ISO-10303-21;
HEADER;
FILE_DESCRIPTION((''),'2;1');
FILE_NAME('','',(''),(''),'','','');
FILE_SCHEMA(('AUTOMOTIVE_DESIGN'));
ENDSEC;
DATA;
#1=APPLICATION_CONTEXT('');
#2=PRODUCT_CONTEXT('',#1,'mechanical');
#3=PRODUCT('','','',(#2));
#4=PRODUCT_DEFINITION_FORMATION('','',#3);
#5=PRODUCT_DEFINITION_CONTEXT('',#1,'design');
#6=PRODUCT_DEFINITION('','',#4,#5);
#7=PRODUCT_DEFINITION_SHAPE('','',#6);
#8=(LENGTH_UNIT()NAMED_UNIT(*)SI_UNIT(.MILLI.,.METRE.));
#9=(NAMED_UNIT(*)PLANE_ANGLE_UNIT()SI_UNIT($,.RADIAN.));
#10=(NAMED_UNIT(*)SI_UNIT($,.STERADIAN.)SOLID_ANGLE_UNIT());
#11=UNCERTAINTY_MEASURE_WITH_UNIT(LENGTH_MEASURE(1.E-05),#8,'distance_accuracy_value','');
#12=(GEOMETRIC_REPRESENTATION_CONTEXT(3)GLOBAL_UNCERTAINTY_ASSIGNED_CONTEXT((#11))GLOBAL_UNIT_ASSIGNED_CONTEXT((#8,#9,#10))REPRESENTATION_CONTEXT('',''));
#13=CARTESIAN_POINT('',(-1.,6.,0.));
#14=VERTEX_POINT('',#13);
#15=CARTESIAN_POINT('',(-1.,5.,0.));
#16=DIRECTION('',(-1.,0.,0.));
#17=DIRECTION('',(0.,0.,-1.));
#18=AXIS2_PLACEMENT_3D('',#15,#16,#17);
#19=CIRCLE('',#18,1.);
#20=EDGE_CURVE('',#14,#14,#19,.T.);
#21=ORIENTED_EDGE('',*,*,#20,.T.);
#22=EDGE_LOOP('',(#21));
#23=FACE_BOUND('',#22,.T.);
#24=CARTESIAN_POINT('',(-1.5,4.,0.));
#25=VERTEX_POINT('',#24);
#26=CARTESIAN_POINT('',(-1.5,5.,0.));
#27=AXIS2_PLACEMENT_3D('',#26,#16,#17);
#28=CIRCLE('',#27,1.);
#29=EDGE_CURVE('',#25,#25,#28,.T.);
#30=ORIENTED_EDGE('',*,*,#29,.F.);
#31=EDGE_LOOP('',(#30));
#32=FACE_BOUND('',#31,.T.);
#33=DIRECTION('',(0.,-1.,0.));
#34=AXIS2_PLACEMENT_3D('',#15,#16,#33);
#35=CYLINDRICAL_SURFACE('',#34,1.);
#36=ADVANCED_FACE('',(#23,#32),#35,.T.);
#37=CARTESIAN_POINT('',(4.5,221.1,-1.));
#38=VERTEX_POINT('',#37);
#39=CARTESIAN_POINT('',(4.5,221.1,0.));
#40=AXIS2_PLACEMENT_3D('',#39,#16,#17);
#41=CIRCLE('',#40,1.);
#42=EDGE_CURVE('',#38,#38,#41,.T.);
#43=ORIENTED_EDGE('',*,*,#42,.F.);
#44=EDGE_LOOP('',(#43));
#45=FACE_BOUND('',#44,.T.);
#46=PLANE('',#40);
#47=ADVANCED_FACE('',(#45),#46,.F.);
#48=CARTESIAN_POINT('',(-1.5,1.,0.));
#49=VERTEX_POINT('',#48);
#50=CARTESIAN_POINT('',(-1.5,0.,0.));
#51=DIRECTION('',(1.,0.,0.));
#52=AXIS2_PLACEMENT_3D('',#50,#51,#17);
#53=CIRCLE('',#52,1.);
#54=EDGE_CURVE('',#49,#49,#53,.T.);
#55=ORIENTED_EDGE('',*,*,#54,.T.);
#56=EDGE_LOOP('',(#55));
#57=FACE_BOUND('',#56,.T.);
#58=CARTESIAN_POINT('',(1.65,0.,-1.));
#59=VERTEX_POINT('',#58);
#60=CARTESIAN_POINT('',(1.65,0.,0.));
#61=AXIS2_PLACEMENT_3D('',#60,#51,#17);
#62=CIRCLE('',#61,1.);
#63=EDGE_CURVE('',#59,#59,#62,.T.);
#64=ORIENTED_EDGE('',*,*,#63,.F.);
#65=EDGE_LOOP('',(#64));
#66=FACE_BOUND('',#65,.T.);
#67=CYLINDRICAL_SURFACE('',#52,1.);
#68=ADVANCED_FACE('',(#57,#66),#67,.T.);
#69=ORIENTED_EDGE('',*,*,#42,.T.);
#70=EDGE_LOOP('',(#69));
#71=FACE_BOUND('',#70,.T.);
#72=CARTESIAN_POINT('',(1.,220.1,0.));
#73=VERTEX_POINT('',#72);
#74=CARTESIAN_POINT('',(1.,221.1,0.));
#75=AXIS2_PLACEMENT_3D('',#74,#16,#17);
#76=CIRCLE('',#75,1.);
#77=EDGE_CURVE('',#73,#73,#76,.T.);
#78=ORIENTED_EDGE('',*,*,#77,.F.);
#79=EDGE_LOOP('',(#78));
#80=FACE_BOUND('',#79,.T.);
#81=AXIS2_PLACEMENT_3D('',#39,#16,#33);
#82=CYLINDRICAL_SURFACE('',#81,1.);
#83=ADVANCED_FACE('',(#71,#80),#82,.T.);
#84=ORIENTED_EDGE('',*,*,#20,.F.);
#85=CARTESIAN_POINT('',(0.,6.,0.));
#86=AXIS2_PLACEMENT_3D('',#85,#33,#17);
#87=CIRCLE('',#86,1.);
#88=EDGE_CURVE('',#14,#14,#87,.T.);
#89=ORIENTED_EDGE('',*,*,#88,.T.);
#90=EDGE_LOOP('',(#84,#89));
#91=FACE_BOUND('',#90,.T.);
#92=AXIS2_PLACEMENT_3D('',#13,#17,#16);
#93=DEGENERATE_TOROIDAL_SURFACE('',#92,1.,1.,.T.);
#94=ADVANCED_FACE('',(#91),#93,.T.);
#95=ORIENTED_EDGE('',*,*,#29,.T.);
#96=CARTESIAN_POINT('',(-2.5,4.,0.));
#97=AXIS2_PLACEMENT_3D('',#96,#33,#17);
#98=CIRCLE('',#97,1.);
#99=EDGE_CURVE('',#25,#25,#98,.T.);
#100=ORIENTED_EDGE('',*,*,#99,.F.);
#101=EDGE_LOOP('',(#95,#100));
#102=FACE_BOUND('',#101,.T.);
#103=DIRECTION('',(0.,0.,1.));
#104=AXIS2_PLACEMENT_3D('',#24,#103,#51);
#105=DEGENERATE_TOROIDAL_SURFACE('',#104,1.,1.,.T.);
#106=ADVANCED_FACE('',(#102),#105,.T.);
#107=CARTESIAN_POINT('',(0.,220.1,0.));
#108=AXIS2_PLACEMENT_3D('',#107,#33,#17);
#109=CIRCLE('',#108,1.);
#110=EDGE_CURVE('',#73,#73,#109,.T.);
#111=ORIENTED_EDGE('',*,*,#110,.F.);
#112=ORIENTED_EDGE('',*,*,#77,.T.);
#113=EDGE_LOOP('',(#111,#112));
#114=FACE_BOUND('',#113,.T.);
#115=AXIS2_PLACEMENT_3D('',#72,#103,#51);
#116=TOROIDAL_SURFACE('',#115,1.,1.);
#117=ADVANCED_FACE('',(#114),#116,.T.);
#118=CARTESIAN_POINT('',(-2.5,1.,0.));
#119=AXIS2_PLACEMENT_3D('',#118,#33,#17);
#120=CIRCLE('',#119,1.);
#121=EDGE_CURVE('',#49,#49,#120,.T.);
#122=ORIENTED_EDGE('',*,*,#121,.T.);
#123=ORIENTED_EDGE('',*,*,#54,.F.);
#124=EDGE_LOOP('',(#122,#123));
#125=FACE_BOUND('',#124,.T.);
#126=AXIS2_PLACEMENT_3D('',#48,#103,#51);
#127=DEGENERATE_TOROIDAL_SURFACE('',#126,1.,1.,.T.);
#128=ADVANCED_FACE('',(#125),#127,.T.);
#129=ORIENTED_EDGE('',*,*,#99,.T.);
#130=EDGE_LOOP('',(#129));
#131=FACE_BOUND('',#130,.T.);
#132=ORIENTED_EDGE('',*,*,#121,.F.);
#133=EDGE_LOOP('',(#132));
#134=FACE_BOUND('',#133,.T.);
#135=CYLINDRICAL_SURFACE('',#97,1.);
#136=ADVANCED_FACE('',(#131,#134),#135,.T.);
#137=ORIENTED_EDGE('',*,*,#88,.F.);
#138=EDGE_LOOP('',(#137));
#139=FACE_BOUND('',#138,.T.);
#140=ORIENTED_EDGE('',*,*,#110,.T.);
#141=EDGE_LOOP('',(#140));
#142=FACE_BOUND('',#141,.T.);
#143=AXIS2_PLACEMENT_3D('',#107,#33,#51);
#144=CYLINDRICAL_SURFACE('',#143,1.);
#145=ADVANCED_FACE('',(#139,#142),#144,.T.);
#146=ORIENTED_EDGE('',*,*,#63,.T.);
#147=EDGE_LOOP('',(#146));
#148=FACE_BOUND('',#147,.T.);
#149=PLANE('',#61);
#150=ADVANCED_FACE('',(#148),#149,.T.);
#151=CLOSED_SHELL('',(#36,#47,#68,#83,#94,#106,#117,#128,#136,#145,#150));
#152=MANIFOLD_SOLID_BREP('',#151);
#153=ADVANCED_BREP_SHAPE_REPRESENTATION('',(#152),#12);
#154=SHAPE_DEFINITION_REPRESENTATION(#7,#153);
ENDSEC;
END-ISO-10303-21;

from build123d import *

# Parameters (mm, degrees)
SKETCH3_R = 1


with BuildPart() as part:
    # Sweep3: sweep along a path in Sketch1
    with BuildLine(Plane.XY) as sweep3_path:
        Line((4.5, 221.1), (1, 221.1))
        ThreePointArc((1, 221.1), (0.292893219, 220.807106781), (0, 220.1))
        Line((0, 220.1), (0, 6))
        ThreePointArc((0, 6), (-0.292893219, 5.292893219), (-1, 5))
        Line((-1, 5), (-1.5, 5))
        ThreePointArc((-1.5, 5), (-2.207106781, 4.707106781), (-2.5, 4))
        Line((-2.5, 4), (-2.5, 1))
        ThreePointArc((-2.5, 1), (-2.207106781, 0.292893219), (-1.5, 0))
        Line((-1.5, 0), (1.65, 0))
    # Sketch3 → Sweep3 (sweep)
    with BuildSketch(Plane(origin=(1.65, 0, 0), x_dir=(0, 0, -1), z_dir=(1, 0, 0))):
        Circle(SKETCH3_R)
    sweep(path=sweep3_path.line)


solid = part.part
